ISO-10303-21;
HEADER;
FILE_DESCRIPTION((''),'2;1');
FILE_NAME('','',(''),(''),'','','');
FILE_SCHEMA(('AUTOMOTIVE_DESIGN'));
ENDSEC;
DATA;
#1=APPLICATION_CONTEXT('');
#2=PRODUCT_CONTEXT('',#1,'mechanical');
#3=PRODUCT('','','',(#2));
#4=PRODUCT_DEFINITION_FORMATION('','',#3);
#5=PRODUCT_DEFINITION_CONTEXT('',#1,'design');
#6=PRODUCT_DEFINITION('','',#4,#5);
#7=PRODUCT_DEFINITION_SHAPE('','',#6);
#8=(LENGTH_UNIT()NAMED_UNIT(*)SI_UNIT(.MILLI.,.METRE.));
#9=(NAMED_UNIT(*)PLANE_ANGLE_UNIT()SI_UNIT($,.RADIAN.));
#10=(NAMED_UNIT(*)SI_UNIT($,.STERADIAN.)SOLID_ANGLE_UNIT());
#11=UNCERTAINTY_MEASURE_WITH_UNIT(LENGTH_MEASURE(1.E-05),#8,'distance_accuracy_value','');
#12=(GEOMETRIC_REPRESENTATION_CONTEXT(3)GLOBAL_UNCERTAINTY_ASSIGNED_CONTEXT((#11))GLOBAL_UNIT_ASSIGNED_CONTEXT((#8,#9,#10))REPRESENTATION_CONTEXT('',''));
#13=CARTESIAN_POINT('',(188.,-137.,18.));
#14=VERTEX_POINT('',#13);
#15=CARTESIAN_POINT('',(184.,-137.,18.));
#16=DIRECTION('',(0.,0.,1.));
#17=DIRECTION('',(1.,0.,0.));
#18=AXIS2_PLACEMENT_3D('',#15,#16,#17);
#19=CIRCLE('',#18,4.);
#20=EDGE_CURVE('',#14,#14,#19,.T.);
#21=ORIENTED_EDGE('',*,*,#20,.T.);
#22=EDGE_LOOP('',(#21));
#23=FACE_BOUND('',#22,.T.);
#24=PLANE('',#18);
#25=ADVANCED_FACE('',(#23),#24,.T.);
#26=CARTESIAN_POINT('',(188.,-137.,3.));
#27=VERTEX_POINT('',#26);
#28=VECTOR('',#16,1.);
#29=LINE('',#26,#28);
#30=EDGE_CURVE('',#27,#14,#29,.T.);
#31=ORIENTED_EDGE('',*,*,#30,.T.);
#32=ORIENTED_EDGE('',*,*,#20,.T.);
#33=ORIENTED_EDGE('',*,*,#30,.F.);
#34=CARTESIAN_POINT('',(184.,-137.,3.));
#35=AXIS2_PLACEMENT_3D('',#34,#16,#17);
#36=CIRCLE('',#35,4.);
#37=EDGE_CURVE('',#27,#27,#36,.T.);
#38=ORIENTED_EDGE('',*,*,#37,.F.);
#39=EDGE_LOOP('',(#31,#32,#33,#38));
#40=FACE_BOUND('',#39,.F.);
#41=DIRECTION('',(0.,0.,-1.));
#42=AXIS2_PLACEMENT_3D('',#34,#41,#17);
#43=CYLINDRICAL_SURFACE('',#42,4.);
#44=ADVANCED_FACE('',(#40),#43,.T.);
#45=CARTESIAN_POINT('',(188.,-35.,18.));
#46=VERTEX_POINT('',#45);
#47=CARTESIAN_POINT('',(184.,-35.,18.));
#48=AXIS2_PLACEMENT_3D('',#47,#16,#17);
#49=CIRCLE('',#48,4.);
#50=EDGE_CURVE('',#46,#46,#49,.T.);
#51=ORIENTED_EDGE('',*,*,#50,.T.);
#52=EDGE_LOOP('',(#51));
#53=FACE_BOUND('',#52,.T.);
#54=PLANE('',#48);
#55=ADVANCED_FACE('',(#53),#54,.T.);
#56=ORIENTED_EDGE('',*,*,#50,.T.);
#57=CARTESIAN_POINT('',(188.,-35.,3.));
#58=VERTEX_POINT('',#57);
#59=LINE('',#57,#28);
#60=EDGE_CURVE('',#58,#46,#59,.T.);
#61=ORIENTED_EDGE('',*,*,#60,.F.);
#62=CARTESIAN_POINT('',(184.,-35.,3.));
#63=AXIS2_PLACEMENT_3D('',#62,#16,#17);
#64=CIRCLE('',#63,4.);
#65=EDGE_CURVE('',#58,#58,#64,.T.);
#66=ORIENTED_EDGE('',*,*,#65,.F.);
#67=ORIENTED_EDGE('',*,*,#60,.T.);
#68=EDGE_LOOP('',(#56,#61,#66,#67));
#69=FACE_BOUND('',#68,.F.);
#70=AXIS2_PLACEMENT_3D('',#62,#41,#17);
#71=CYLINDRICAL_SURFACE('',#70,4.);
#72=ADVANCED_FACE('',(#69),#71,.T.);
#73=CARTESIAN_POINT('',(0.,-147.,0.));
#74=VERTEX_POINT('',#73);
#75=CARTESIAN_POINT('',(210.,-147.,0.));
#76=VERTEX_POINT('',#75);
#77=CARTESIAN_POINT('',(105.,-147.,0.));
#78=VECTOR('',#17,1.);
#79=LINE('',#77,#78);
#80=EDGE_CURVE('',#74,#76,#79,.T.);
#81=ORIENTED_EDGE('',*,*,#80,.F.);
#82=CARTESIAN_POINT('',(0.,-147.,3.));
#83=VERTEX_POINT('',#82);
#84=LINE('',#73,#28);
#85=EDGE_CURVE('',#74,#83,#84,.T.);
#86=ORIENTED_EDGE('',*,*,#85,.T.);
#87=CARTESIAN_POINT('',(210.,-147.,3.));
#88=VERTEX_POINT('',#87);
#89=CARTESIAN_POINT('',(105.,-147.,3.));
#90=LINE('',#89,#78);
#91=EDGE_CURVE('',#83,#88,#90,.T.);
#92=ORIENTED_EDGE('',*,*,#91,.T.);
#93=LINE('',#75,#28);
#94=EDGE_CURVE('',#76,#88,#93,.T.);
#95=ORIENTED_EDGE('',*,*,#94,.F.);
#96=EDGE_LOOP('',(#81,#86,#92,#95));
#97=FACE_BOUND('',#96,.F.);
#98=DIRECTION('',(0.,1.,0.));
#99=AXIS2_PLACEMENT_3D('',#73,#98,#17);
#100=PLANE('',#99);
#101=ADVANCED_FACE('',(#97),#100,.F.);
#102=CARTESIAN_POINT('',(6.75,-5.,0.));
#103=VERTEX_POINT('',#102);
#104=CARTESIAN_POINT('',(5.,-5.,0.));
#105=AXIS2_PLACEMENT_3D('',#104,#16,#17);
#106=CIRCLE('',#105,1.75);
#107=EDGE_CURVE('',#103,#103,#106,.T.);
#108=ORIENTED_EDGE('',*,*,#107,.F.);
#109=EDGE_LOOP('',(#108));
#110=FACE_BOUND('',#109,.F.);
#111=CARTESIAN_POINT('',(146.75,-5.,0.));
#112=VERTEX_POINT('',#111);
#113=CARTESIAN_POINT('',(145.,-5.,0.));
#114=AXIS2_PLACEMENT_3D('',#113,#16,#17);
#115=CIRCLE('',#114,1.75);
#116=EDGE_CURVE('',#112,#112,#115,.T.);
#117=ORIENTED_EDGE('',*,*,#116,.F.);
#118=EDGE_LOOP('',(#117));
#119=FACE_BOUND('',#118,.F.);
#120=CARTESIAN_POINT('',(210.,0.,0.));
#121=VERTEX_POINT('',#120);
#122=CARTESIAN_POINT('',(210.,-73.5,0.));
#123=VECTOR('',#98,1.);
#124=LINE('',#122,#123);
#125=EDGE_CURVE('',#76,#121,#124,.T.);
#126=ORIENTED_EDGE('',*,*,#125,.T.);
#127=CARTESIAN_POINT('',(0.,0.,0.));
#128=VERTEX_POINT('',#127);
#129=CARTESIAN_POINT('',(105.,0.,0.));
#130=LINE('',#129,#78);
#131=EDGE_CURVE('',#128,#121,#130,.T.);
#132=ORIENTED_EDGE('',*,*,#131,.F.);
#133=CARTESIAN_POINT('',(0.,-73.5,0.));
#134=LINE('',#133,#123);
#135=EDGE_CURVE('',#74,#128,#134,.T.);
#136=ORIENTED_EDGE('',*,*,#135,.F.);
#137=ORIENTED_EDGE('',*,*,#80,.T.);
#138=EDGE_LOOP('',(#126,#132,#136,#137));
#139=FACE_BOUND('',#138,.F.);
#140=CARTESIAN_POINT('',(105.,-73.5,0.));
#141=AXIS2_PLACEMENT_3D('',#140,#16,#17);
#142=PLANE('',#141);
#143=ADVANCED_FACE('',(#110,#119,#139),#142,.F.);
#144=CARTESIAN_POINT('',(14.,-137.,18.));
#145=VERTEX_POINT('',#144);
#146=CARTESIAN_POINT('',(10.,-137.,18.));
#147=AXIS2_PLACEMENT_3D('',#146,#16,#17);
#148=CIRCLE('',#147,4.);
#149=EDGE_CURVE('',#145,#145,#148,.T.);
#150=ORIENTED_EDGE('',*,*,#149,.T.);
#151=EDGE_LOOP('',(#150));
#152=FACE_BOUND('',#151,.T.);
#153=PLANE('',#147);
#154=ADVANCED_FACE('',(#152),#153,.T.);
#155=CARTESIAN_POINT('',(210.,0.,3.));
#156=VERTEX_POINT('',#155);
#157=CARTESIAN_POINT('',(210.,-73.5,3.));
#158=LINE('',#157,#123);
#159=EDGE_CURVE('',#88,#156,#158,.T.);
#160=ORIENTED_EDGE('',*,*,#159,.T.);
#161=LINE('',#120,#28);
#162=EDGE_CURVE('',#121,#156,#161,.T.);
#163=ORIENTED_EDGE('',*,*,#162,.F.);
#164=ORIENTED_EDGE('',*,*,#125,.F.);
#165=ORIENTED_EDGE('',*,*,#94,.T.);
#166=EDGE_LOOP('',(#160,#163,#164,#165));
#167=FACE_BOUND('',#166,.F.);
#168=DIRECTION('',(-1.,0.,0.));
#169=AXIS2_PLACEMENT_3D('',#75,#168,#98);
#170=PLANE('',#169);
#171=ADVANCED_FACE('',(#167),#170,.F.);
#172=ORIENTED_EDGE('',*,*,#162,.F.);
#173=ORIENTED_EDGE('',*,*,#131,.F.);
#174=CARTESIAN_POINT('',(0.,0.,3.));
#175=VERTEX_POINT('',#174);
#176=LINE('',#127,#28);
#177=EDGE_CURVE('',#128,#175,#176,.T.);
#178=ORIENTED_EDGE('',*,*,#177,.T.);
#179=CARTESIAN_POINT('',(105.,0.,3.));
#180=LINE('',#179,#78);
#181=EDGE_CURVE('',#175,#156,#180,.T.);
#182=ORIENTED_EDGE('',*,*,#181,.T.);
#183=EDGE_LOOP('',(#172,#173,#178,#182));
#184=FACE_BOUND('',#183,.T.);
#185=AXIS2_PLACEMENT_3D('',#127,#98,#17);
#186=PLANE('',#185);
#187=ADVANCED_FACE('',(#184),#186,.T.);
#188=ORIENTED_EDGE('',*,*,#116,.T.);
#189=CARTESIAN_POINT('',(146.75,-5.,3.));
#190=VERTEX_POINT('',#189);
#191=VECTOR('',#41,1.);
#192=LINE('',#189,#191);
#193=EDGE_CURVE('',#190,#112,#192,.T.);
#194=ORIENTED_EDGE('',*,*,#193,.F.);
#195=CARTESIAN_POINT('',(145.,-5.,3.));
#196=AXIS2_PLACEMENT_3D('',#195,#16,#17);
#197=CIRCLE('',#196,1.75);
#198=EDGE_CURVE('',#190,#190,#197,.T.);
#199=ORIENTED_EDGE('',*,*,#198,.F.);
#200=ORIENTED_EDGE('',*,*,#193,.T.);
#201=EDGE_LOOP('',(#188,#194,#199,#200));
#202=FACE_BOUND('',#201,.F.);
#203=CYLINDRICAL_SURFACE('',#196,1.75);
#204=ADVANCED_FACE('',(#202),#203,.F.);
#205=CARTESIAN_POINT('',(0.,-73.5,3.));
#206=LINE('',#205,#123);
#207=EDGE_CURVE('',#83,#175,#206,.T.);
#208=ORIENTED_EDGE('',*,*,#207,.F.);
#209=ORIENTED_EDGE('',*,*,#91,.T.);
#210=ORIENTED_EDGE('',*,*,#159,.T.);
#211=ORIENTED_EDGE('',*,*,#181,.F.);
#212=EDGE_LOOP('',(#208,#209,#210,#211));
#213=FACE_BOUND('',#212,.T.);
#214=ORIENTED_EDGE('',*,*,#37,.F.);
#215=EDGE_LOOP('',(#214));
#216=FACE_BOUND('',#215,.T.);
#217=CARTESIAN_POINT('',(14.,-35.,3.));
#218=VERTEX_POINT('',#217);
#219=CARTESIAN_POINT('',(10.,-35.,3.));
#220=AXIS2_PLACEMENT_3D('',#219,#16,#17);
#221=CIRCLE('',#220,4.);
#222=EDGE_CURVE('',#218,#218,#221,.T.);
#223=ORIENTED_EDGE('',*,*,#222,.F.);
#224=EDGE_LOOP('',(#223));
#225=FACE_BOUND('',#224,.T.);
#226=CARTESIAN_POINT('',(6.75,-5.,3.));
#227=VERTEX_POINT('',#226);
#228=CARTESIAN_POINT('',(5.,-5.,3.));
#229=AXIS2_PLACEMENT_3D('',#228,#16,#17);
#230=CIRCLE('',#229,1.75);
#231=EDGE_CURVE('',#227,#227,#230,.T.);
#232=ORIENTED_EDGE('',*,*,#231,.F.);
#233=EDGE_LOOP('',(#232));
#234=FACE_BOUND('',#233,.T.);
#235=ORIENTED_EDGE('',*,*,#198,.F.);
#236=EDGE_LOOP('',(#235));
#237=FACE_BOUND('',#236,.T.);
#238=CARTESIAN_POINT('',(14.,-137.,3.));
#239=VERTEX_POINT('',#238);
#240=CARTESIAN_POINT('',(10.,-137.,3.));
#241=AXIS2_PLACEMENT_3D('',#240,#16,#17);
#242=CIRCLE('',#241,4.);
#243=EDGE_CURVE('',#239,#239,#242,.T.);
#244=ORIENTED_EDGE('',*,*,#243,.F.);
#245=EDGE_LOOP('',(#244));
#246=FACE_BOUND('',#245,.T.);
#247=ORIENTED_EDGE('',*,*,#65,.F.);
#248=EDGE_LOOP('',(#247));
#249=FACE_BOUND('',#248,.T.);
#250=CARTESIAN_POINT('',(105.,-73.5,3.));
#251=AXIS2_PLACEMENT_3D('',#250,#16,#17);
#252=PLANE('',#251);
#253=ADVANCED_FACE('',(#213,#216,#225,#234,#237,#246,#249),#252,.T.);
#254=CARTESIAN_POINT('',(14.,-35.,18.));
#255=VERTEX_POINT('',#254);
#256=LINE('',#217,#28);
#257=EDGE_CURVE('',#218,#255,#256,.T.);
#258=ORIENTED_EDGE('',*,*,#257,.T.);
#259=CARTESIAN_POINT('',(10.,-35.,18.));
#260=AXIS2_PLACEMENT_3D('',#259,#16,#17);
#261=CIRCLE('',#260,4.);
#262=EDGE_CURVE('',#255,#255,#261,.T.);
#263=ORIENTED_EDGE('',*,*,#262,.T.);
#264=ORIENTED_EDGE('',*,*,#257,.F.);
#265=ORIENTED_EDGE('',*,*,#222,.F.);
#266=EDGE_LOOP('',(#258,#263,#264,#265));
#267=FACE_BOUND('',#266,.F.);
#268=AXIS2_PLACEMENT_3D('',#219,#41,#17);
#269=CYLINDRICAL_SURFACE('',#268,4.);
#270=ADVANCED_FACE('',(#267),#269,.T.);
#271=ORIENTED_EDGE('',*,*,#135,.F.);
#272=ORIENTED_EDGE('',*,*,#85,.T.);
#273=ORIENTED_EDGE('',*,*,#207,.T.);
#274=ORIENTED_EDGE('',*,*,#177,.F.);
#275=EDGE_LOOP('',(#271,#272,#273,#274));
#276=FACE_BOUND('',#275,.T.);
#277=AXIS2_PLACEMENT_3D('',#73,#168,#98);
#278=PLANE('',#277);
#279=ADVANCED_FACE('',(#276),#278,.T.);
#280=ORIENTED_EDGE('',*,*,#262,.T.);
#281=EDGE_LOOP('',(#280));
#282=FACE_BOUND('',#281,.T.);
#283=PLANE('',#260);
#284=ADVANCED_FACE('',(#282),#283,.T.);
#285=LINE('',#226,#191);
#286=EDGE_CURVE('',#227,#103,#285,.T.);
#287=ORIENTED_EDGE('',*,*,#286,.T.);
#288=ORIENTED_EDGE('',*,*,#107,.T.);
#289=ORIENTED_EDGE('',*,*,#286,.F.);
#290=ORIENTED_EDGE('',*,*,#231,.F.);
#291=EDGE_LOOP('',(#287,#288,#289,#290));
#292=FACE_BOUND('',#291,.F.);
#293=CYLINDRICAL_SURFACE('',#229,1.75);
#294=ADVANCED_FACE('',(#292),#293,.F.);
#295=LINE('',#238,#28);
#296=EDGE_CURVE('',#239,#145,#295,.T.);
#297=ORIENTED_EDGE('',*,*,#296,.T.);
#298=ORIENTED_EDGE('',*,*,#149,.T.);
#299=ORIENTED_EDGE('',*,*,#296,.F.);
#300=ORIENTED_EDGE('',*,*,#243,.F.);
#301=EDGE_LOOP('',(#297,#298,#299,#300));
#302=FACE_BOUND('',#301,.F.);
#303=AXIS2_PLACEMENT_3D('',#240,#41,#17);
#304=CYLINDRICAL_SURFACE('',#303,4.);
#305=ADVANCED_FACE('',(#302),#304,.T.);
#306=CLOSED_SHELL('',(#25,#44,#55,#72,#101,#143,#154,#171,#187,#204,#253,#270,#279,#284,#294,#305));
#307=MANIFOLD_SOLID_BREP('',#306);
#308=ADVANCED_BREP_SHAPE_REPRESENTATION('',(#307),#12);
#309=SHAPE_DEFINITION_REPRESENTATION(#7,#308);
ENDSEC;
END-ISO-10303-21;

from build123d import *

# Parameters (mm, degrees)
F0_W     = 210
F0_H     = 147
F1_DEPTH = 3
F2_R     = 4
F3_DEPTH = 15
F4_R     = 1.75
F5_DEPTH = 25


with BuildPart() as f1:
    # F0 (on Top) → F1 (new body)
    with BuildSketch(Plane.XY):
        with Locations((105, -73.5)):
            Rectangle(F0_W, F0_H)
    extrude(amount=F1_DEPTH)

    # F2 (on face) → F3 (join)
    with BuildSketch(Plane.XY.offset(3)):
        with Locations((10, -35)):
            Circle(F2_R)
        with Locations((184, -35)):
            Circle(F2_R)
        with Locations((184, -137)):
            Circle(F2_R)
        with Locations((10, -137)):
            Circle(F2_R)
    extrude(amount=F3_DEPTH)

    # F4 (on face) → F5 (cut)
    with BuildSketch(Plane.XY.offset(3)):
        with Locations((5, -5)):
            Circle(F4_R)
        with Locations((145, -5)):
            Circle(F4_R)
    extrude(amount=-F5_DEPTH, mode=Mode.SUBTRACT)


solid = f1.part
